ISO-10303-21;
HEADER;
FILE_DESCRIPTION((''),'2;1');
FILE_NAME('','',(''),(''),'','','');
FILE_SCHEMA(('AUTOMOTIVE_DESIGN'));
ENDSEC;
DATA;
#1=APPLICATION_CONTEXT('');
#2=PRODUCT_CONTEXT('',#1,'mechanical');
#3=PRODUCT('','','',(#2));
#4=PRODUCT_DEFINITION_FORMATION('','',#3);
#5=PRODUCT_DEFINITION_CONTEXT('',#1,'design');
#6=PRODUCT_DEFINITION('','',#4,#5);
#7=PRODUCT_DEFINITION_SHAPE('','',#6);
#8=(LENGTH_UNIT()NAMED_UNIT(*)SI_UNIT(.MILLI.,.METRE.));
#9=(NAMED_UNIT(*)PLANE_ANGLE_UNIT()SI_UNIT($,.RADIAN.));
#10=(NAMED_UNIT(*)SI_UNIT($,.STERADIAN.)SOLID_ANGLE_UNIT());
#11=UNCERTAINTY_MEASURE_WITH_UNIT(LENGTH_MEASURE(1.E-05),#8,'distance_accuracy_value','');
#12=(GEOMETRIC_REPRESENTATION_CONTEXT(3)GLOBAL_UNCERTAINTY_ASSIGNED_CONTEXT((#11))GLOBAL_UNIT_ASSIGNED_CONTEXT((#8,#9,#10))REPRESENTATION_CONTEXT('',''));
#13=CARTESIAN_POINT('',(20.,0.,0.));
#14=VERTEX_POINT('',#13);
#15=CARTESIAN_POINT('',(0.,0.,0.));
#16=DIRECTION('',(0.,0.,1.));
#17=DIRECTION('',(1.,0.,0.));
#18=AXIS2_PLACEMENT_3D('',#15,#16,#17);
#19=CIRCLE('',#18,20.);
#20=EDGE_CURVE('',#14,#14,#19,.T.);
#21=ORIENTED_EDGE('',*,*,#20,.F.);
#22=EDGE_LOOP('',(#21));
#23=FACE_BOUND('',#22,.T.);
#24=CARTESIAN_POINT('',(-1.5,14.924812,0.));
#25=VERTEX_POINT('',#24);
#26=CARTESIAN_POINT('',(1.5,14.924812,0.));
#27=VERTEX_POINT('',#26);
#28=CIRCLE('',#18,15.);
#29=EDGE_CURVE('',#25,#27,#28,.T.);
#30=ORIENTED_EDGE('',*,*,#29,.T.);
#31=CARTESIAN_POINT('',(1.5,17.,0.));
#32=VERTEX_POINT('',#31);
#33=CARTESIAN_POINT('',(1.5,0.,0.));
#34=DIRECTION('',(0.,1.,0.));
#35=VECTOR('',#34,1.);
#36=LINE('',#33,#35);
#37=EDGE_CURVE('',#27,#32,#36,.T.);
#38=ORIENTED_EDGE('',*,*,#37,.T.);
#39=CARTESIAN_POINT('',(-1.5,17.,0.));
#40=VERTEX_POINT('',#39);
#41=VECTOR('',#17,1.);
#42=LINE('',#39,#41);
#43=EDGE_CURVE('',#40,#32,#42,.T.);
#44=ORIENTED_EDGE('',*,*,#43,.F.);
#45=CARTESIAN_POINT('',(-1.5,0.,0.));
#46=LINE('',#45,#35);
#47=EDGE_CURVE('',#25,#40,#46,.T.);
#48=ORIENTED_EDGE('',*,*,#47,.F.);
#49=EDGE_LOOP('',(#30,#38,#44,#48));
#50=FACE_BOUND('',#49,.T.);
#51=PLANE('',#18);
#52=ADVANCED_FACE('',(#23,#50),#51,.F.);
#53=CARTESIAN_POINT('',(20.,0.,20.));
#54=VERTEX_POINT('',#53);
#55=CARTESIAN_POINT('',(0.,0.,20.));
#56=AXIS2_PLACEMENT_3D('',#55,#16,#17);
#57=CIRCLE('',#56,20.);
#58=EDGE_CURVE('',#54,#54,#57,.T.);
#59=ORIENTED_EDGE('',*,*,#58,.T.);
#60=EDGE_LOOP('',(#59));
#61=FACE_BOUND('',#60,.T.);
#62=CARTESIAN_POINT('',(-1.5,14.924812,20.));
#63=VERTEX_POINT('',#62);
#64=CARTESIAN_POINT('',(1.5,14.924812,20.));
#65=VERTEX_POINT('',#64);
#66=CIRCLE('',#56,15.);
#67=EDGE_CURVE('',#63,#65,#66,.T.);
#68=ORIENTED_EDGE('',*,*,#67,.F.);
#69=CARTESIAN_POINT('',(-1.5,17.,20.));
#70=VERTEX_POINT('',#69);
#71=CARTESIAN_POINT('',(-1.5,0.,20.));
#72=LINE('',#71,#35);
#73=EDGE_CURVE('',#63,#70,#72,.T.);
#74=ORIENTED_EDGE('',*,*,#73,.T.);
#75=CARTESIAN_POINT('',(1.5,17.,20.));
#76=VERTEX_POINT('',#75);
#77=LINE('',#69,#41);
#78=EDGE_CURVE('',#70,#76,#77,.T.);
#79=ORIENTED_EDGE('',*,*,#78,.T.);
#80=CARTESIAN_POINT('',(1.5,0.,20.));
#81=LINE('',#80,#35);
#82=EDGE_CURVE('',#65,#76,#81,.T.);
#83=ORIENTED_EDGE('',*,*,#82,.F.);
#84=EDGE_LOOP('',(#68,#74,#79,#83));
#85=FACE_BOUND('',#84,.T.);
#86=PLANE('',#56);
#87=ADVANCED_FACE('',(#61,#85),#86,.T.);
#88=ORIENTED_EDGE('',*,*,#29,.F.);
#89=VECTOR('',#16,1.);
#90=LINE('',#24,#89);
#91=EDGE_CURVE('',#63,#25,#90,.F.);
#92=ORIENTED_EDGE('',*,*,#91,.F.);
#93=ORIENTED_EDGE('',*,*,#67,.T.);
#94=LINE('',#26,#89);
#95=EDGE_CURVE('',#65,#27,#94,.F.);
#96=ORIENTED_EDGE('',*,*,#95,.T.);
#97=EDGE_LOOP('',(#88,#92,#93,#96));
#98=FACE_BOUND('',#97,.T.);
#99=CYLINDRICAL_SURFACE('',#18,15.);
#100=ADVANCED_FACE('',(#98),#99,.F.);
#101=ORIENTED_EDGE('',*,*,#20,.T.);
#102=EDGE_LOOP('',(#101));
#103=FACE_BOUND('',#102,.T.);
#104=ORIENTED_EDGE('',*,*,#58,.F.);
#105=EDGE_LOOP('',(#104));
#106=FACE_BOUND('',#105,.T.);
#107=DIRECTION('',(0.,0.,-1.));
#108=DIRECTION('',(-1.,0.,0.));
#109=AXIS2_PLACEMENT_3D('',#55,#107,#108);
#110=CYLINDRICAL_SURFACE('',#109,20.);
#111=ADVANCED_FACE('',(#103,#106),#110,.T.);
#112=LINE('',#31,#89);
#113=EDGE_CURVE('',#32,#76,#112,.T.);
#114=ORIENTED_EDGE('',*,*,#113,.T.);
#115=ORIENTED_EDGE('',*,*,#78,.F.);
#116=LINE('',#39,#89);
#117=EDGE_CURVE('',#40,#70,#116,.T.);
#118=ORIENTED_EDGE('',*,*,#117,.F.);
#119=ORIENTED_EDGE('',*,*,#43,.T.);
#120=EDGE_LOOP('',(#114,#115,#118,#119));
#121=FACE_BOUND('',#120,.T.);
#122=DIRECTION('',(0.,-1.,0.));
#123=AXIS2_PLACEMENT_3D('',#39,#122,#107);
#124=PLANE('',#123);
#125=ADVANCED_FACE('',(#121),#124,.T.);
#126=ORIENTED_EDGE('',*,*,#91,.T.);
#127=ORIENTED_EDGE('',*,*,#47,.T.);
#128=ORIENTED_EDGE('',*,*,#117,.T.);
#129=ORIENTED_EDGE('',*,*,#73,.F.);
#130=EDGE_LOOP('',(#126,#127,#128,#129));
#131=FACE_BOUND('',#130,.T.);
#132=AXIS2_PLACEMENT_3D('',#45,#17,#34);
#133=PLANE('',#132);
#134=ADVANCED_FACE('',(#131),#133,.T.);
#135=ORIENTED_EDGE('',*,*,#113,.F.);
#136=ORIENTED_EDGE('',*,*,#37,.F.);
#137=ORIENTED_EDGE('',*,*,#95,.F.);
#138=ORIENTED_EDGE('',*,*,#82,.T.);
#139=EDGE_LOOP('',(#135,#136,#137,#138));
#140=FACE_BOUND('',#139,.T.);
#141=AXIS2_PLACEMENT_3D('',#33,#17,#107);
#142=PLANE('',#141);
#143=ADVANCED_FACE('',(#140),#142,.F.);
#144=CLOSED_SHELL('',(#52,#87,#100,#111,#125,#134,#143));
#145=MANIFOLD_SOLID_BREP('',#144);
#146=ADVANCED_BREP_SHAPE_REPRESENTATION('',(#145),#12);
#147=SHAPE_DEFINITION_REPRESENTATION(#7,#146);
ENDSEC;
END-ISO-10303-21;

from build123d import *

# Parameters (mm, degrees)
SKETCH_1_R          = 20
EXTRUDE_1_DEPTH     = 20
SKETCH_2_R          = 15
SKETCH_2_W          = 3
SKETCH_2_H          = 17
CUT_EXTRUDE_1_DEPTH = 35.641016151


with BuildPart() as part:
    # 草图1 → 凸台-拉伸1 (new body)
    with BuildSketch(Plane.XY):
        Circle(SKETCH_1_R)
    extrude(amount=EXTRUDE_1_DEPTH)

    # 草图2 → 切除-拉伸1 (cut, through all)
    with BuildSketch(Plane.XY.offset(20)):
        Circle(SKETCH_2_R)
        with Locations((0, 8.5)):
            Rectangle(SKETCH_2_W, SKETCH_2_H)
    extrude(amount=-CUT_EXTRUDE_1_DEPTH, mode=Mode.SUBTRACT)


solid = part.part
